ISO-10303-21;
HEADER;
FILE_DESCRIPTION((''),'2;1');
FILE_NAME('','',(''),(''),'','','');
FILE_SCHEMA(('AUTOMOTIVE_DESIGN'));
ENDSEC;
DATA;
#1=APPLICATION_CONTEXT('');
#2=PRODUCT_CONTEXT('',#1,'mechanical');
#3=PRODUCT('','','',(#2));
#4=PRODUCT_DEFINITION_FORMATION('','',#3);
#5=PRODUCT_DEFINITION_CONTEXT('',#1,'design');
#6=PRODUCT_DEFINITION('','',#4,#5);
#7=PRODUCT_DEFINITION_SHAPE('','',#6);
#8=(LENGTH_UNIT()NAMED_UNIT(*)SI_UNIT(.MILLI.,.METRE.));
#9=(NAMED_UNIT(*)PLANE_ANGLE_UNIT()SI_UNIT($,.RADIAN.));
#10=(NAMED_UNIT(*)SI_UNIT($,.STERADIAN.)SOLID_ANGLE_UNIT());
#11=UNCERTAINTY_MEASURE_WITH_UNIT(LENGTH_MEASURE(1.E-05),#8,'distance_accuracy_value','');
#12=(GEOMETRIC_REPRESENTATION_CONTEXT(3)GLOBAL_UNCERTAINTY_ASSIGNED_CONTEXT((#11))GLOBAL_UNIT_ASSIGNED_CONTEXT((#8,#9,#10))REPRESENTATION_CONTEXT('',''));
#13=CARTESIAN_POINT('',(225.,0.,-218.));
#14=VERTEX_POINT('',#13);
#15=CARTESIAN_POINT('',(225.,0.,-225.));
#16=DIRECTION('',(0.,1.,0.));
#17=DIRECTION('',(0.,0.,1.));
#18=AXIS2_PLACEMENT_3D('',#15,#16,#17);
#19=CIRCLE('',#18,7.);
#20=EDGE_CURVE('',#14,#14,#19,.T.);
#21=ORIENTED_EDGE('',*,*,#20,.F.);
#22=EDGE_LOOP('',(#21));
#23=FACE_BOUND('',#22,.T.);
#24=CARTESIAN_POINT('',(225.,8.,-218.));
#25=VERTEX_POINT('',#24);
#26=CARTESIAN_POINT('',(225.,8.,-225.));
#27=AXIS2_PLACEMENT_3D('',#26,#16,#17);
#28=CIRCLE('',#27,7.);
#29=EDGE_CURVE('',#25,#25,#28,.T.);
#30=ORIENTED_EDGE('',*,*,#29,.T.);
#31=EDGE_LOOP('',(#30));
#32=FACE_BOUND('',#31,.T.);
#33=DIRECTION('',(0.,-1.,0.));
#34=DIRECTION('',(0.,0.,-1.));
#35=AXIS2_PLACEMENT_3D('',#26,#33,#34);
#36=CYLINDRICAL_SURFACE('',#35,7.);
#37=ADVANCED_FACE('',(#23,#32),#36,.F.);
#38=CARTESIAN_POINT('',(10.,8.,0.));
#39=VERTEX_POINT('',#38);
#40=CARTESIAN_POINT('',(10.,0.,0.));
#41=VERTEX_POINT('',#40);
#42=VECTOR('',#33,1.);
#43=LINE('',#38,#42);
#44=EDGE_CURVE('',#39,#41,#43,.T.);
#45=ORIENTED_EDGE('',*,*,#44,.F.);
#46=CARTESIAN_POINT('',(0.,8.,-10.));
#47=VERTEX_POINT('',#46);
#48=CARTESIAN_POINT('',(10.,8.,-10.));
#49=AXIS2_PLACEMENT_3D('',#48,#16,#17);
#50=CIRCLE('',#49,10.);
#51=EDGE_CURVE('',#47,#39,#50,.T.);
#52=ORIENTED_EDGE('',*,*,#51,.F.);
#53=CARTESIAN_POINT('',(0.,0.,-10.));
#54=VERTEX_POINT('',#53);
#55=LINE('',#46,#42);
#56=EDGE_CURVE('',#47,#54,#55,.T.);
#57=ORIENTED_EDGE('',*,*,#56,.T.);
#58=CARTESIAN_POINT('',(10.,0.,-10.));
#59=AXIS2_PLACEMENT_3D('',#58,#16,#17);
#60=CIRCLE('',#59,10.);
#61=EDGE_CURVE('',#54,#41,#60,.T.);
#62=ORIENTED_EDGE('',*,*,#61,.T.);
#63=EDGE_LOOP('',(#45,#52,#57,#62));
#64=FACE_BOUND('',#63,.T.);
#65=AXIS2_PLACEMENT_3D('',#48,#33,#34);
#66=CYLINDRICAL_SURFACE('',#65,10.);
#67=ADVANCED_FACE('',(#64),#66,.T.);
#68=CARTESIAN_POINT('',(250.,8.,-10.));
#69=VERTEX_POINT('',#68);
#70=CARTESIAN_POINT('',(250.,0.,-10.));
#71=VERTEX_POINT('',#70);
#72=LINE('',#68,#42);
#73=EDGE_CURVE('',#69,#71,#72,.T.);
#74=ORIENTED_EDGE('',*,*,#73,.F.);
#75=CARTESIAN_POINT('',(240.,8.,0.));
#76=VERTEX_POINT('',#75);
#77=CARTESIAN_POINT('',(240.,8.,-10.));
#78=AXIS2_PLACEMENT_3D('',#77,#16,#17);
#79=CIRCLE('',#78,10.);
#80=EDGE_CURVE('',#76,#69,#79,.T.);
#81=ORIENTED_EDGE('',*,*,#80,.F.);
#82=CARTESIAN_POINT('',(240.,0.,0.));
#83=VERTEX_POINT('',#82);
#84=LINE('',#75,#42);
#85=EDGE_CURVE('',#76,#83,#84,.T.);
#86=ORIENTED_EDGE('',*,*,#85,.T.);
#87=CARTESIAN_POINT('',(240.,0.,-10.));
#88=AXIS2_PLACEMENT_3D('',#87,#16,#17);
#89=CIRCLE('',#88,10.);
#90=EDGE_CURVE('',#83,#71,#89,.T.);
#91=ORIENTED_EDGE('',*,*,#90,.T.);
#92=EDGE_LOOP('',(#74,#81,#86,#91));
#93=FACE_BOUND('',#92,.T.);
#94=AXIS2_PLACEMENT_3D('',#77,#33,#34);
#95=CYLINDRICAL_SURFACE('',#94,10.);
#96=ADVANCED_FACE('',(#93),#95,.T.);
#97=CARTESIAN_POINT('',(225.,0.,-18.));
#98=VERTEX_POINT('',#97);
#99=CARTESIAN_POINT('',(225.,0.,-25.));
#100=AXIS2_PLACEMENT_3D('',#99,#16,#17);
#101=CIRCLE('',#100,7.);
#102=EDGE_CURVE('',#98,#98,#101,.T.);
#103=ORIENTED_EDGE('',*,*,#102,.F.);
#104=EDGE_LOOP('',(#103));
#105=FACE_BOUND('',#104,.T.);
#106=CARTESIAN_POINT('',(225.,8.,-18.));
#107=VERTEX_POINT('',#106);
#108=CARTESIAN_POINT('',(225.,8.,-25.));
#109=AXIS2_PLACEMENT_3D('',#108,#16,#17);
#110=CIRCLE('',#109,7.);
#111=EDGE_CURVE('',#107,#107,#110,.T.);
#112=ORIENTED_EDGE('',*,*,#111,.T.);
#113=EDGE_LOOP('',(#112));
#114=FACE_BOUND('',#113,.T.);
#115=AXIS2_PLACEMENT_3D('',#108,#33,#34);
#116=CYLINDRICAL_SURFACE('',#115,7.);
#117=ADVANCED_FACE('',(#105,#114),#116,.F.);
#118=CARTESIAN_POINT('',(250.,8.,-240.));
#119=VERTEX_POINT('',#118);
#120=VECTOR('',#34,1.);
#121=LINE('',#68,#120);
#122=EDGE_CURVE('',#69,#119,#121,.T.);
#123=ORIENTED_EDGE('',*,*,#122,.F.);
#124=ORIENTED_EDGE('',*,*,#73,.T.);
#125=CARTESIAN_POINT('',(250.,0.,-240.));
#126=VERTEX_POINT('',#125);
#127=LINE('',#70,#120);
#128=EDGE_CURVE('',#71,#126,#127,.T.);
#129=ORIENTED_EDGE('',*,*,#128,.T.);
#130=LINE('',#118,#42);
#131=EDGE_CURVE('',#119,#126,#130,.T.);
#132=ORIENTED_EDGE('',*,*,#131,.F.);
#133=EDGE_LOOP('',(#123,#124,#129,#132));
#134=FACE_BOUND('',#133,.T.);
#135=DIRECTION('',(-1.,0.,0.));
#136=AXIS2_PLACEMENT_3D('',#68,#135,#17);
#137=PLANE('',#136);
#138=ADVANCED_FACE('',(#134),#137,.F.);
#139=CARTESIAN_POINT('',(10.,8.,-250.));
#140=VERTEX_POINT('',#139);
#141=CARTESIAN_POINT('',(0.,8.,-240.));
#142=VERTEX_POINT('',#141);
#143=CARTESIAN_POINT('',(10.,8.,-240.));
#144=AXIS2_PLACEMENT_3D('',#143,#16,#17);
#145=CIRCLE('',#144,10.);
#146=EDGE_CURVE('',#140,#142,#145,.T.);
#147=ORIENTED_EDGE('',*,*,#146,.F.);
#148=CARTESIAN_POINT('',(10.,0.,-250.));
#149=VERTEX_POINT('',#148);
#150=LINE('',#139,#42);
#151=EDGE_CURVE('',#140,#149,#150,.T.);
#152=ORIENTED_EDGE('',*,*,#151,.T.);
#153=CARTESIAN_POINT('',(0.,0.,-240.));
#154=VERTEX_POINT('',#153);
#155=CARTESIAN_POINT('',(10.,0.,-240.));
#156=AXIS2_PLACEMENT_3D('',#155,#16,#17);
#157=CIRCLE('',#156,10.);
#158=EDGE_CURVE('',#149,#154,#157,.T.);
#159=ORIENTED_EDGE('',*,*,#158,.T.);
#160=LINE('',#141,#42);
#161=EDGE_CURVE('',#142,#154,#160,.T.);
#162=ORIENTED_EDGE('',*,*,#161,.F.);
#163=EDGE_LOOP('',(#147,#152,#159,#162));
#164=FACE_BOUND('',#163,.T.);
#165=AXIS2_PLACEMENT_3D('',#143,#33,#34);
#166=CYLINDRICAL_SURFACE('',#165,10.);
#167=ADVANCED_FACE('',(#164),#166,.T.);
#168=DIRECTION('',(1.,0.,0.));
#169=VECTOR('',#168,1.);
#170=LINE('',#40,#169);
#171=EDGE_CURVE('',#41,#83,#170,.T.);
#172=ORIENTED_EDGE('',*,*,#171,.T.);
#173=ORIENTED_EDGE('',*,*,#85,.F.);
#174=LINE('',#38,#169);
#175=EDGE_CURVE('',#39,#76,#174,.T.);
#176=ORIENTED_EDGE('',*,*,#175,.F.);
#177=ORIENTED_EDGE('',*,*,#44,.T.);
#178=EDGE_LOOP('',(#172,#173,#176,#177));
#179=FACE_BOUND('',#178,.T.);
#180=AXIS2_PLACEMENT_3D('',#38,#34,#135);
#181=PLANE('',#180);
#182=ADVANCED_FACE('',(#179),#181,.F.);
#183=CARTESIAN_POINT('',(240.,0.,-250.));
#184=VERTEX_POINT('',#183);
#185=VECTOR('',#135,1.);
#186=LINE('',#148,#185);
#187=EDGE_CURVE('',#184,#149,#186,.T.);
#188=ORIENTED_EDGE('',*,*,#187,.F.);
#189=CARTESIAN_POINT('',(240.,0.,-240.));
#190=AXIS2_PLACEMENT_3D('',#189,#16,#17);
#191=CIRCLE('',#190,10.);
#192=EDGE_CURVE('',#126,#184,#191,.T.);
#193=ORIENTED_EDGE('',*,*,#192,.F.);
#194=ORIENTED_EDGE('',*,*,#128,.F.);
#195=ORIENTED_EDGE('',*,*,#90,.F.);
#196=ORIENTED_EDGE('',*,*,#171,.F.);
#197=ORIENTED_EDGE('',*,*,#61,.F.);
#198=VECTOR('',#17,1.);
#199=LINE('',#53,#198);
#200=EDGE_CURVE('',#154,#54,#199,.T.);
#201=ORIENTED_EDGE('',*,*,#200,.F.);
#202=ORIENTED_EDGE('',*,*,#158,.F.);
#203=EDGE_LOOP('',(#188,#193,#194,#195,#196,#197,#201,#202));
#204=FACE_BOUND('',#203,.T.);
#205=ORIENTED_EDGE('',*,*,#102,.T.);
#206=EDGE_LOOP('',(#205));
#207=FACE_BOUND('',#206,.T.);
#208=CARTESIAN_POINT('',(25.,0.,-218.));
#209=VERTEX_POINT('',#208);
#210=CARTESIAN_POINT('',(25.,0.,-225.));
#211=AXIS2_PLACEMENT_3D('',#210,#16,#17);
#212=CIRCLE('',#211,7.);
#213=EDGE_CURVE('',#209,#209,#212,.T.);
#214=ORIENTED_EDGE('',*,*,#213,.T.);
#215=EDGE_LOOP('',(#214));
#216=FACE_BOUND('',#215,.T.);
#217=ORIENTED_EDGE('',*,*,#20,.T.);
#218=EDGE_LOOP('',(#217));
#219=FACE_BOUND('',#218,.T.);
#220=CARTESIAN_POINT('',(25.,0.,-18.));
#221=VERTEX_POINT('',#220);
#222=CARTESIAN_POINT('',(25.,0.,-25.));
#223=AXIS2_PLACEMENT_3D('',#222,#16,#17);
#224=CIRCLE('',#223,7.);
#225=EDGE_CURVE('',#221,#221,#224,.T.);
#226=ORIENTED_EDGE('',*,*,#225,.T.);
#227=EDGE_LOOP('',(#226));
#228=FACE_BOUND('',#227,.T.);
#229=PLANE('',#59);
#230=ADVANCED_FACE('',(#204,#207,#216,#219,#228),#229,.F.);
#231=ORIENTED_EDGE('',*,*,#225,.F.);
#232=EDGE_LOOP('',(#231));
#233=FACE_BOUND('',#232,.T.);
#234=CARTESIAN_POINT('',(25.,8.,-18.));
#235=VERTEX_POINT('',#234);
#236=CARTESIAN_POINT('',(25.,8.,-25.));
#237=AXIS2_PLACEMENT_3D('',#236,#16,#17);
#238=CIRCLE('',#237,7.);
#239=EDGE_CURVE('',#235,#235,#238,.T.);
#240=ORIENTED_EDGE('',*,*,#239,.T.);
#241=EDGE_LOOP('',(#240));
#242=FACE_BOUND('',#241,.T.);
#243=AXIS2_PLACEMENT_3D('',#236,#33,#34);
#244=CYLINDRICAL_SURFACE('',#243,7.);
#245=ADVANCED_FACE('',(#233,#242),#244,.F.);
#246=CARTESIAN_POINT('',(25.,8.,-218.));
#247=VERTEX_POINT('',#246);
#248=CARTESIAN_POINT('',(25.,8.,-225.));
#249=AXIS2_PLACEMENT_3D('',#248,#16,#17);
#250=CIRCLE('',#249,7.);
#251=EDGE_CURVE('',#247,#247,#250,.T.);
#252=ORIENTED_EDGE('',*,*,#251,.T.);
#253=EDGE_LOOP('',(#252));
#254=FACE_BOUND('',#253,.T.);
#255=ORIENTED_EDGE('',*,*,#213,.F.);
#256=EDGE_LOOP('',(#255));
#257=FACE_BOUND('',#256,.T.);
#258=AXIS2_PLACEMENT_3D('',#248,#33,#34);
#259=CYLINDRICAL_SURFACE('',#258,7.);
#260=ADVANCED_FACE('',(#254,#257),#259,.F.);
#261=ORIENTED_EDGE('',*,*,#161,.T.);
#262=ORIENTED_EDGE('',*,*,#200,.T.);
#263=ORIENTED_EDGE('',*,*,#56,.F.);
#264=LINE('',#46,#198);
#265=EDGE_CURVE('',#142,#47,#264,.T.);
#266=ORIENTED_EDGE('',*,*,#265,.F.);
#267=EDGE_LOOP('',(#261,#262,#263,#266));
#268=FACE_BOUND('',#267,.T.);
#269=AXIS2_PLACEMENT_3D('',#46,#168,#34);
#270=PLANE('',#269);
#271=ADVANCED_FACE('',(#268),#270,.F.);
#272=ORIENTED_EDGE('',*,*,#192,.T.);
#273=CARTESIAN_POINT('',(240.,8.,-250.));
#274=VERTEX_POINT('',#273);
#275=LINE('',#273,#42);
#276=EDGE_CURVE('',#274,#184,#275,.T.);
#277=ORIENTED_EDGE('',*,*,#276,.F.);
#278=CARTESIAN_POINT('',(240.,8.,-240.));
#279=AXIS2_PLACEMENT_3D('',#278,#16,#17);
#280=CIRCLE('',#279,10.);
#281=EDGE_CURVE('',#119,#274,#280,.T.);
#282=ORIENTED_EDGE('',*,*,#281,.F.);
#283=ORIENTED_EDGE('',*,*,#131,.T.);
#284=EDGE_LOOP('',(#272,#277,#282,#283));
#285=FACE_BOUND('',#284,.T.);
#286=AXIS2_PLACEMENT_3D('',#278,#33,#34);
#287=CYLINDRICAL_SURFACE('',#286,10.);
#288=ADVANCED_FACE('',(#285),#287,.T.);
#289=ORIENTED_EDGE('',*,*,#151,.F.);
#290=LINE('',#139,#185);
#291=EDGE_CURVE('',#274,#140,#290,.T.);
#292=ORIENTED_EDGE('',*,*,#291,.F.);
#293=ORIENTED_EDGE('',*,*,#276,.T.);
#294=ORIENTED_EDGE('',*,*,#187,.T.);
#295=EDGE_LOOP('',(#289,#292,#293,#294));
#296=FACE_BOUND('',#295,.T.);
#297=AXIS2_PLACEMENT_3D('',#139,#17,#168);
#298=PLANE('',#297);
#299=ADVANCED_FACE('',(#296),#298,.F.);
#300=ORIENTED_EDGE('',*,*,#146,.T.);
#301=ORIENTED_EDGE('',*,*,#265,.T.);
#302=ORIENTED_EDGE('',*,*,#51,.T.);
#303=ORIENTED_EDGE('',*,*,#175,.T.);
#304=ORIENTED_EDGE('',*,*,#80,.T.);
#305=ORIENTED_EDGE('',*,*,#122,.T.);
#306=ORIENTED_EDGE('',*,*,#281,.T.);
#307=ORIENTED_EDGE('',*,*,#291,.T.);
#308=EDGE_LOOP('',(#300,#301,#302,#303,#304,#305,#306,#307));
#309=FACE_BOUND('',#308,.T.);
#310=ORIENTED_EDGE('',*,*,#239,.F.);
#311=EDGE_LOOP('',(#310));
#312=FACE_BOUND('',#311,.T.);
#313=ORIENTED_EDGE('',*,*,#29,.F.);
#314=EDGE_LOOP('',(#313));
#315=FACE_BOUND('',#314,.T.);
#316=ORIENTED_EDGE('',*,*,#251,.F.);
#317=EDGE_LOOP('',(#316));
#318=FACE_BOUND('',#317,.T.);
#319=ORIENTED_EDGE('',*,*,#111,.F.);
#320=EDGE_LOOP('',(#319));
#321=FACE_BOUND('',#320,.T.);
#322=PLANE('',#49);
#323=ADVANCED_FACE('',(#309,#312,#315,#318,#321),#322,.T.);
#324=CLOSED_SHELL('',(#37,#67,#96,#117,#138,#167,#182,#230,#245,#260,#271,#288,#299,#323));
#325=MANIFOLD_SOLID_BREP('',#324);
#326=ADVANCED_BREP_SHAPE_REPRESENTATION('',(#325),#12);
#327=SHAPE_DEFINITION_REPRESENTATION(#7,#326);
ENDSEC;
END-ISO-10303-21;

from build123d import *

# Parameters (mm, degrees)
ESQUISSE1_R        = 7
BOSS_EXTRU_1_DEPTH = 8


with BuildPart() as part:
    # Esquisse1 → Boss.-Extru.1 (new body)
    with BuildSketch(Plane(origin=(0, 0, 0), x_dir=(1, 0, 0), z_dir=(0, 1, 0))):
        with BuildLine():
            Line((10, 0), (240, 0))
            ThreePointArc((240, 0), (247.071067812, 2.928932188), (250, 10))
            Line((250, 10), (250, 240))
            ThreePointArc((250, 240), (247.071067812, 247.071067812), (240, 250))
            Line((240, 250), (10, 250))
            ThreePointArc((10, 250), (2.928932188, 247.071067812), (0, 240))
            Line((0, 240), (0, 10))
            ThreePointArc((0, 10), (2.928932188, 2.928932188), (10, 0))
        make_face()
        with Locations(Location((25, 225, 0), (0, 0, 270))):  # turned: the seam where the file's is
            Circle(ESQUISSE1_R, mode=Mode.SUBTRACT)
        with Locations(Location((225, 225, 0), (0, 0, 270))):  # turned: the seam where the file's is
            Circle(ESQUISSE1_R, mode=Mode.SUBTRACT)
        with Locations(Location((225, 25, 0), (0, 0, 270))):  # turned: the seam where the file's is
            Circle(ESQUISSE1_R, mode=Mode.SUBTRACT)
        with Locations(Location((25, 25, 0), (0, 0, 270))):  # turned: the seam where the file's is
            Circle(ESQUISSE1_R, mode=Mode.SUBTRACT)
    extrude(amount=BOSS_EXTRU_1_DEPTH)


solid = part.part
